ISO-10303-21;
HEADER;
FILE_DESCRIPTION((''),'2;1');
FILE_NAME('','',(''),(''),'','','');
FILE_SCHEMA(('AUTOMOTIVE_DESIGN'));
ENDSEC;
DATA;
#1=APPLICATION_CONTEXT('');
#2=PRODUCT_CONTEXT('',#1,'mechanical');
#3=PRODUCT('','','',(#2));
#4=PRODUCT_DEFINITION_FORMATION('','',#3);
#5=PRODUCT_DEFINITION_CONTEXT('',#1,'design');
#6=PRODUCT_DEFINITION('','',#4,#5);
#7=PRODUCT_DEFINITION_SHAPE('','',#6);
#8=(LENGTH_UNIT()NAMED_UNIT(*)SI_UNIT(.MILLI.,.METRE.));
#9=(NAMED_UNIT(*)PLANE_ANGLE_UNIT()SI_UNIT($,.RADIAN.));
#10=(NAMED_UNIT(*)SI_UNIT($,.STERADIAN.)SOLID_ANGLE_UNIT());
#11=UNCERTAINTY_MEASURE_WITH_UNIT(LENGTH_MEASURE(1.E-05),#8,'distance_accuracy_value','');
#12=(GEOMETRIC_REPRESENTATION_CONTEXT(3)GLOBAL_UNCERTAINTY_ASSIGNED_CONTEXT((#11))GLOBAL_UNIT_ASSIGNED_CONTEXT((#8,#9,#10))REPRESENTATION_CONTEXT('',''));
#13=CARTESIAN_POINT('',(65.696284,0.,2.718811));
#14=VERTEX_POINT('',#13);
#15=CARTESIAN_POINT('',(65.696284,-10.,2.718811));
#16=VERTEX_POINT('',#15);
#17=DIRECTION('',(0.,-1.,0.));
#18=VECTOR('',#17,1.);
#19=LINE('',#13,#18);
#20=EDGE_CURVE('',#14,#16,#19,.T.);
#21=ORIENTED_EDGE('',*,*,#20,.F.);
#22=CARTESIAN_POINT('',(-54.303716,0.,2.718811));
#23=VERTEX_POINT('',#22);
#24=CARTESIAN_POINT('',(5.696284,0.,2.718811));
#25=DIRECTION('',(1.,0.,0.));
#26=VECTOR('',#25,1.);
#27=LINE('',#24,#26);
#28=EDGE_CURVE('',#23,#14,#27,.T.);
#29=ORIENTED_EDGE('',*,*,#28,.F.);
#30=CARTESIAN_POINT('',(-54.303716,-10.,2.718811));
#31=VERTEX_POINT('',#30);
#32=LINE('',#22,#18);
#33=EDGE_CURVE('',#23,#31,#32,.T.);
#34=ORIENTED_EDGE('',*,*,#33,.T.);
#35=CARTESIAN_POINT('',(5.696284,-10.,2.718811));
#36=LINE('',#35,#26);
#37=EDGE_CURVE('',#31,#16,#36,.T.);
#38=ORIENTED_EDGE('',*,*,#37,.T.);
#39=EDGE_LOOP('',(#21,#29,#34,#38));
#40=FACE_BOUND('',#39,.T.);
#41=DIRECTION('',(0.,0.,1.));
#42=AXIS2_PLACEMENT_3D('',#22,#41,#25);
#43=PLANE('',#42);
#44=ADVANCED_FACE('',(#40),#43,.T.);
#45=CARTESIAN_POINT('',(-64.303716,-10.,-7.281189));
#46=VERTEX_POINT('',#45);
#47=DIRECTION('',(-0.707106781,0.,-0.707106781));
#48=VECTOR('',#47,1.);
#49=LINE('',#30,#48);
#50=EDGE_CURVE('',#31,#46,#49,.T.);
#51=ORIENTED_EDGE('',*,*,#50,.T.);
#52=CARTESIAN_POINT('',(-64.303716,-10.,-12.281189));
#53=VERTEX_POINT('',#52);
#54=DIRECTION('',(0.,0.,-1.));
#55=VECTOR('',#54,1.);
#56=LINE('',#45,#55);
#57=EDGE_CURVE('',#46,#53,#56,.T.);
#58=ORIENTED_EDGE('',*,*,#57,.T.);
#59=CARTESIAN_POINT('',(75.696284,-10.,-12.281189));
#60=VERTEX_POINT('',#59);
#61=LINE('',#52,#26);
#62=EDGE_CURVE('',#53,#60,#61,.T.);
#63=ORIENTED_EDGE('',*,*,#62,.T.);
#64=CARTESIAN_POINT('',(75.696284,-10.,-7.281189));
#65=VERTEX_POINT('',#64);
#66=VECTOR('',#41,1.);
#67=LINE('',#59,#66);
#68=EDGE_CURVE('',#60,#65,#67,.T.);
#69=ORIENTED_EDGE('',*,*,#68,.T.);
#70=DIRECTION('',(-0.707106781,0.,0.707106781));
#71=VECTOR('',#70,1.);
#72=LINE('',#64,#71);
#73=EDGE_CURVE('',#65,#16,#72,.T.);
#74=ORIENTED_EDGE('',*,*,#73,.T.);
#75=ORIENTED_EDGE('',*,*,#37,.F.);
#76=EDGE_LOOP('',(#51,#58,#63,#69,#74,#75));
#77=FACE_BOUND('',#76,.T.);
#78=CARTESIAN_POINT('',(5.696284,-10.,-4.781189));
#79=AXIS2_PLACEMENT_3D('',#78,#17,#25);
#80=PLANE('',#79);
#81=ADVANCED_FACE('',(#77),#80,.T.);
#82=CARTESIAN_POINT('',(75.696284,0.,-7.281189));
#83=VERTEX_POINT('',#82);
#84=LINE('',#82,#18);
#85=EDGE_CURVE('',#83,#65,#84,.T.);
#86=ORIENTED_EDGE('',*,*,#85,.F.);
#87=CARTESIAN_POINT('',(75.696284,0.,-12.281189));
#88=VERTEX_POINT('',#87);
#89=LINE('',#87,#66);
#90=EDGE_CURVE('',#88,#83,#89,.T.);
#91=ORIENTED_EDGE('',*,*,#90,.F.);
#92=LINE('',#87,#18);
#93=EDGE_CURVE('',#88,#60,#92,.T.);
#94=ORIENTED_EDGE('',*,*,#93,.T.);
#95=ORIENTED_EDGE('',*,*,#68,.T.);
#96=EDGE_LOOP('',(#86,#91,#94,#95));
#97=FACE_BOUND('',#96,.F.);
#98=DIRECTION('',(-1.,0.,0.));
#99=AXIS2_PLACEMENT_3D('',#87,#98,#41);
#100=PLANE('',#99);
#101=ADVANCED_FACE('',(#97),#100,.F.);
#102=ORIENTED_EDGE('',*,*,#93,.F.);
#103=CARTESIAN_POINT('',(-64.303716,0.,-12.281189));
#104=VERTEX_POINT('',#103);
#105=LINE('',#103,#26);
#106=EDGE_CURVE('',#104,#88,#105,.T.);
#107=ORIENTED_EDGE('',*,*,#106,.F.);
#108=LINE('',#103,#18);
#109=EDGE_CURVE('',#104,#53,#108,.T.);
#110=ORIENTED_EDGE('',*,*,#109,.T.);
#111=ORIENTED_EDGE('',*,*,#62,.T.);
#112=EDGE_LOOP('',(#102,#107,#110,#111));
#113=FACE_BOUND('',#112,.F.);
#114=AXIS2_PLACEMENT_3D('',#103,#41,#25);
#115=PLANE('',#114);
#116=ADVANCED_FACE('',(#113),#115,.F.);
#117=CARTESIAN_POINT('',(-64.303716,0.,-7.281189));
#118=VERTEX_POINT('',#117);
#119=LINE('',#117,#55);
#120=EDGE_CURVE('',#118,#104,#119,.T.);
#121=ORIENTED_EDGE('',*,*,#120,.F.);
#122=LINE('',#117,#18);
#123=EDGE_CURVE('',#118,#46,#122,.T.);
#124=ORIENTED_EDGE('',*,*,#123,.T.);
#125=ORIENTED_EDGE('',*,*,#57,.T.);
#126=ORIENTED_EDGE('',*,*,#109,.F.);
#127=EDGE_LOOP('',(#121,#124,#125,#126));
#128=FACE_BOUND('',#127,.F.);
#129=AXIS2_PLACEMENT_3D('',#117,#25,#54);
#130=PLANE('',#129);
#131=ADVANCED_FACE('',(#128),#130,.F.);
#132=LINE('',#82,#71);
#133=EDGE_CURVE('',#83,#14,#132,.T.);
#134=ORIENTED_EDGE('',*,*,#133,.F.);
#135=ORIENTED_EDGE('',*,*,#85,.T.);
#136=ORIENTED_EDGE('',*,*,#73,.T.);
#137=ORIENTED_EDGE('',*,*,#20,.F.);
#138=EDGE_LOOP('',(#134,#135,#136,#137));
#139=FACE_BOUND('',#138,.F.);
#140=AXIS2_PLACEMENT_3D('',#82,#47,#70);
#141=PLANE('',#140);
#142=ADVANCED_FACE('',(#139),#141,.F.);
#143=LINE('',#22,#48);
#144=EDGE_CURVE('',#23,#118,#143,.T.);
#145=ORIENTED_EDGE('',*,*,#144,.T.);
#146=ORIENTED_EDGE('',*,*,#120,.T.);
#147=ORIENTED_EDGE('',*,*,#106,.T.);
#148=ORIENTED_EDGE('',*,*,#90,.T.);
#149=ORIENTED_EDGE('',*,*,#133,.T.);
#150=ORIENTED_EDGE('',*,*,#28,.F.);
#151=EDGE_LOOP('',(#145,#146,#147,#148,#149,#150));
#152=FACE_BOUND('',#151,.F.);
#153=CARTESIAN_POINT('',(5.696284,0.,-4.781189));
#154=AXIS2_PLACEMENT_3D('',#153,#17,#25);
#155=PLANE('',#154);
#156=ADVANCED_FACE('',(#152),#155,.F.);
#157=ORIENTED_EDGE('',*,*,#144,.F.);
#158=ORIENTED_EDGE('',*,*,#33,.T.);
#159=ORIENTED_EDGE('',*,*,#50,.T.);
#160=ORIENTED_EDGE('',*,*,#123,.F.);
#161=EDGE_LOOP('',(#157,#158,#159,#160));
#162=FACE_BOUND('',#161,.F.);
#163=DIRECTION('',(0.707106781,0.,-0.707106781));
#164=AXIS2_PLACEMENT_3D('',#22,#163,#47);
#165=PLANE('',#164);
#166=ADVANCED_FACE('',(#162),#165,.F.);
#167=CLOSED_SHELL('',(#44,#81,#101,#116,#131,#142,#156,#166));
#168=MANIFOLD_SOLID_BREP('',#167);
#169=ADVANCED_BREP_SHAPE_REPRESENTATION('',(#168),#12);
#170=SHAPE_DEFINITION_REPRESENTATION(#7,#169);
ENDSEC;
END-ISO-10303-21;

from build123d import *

# Parameters (mm, degrees)
F0_W     = 120
F0_H     = 15
F1_DEPTH = 10


with BuildPart() as f1:
    # F0 (on Front) → F1 (new body)
    with BuildSketch(Plane.XZ):
        with Locations((5.696284, -4.781189)):
            Rectangle(F0_W, F0_H)
        Polygon((-54.303716, -12.281189), (-54.303716, 2.718811), (-64.303716, -7.281189), (-64.303716, -12.281189), align=None)
        Polygon((75.696284, -7.281189), (65.696284, 2.718811), (65.696284, -12.281189), (75.696284, -12.281189), align=None)
    extrude(amount=F1_DEPTH)


solid = f1.part
